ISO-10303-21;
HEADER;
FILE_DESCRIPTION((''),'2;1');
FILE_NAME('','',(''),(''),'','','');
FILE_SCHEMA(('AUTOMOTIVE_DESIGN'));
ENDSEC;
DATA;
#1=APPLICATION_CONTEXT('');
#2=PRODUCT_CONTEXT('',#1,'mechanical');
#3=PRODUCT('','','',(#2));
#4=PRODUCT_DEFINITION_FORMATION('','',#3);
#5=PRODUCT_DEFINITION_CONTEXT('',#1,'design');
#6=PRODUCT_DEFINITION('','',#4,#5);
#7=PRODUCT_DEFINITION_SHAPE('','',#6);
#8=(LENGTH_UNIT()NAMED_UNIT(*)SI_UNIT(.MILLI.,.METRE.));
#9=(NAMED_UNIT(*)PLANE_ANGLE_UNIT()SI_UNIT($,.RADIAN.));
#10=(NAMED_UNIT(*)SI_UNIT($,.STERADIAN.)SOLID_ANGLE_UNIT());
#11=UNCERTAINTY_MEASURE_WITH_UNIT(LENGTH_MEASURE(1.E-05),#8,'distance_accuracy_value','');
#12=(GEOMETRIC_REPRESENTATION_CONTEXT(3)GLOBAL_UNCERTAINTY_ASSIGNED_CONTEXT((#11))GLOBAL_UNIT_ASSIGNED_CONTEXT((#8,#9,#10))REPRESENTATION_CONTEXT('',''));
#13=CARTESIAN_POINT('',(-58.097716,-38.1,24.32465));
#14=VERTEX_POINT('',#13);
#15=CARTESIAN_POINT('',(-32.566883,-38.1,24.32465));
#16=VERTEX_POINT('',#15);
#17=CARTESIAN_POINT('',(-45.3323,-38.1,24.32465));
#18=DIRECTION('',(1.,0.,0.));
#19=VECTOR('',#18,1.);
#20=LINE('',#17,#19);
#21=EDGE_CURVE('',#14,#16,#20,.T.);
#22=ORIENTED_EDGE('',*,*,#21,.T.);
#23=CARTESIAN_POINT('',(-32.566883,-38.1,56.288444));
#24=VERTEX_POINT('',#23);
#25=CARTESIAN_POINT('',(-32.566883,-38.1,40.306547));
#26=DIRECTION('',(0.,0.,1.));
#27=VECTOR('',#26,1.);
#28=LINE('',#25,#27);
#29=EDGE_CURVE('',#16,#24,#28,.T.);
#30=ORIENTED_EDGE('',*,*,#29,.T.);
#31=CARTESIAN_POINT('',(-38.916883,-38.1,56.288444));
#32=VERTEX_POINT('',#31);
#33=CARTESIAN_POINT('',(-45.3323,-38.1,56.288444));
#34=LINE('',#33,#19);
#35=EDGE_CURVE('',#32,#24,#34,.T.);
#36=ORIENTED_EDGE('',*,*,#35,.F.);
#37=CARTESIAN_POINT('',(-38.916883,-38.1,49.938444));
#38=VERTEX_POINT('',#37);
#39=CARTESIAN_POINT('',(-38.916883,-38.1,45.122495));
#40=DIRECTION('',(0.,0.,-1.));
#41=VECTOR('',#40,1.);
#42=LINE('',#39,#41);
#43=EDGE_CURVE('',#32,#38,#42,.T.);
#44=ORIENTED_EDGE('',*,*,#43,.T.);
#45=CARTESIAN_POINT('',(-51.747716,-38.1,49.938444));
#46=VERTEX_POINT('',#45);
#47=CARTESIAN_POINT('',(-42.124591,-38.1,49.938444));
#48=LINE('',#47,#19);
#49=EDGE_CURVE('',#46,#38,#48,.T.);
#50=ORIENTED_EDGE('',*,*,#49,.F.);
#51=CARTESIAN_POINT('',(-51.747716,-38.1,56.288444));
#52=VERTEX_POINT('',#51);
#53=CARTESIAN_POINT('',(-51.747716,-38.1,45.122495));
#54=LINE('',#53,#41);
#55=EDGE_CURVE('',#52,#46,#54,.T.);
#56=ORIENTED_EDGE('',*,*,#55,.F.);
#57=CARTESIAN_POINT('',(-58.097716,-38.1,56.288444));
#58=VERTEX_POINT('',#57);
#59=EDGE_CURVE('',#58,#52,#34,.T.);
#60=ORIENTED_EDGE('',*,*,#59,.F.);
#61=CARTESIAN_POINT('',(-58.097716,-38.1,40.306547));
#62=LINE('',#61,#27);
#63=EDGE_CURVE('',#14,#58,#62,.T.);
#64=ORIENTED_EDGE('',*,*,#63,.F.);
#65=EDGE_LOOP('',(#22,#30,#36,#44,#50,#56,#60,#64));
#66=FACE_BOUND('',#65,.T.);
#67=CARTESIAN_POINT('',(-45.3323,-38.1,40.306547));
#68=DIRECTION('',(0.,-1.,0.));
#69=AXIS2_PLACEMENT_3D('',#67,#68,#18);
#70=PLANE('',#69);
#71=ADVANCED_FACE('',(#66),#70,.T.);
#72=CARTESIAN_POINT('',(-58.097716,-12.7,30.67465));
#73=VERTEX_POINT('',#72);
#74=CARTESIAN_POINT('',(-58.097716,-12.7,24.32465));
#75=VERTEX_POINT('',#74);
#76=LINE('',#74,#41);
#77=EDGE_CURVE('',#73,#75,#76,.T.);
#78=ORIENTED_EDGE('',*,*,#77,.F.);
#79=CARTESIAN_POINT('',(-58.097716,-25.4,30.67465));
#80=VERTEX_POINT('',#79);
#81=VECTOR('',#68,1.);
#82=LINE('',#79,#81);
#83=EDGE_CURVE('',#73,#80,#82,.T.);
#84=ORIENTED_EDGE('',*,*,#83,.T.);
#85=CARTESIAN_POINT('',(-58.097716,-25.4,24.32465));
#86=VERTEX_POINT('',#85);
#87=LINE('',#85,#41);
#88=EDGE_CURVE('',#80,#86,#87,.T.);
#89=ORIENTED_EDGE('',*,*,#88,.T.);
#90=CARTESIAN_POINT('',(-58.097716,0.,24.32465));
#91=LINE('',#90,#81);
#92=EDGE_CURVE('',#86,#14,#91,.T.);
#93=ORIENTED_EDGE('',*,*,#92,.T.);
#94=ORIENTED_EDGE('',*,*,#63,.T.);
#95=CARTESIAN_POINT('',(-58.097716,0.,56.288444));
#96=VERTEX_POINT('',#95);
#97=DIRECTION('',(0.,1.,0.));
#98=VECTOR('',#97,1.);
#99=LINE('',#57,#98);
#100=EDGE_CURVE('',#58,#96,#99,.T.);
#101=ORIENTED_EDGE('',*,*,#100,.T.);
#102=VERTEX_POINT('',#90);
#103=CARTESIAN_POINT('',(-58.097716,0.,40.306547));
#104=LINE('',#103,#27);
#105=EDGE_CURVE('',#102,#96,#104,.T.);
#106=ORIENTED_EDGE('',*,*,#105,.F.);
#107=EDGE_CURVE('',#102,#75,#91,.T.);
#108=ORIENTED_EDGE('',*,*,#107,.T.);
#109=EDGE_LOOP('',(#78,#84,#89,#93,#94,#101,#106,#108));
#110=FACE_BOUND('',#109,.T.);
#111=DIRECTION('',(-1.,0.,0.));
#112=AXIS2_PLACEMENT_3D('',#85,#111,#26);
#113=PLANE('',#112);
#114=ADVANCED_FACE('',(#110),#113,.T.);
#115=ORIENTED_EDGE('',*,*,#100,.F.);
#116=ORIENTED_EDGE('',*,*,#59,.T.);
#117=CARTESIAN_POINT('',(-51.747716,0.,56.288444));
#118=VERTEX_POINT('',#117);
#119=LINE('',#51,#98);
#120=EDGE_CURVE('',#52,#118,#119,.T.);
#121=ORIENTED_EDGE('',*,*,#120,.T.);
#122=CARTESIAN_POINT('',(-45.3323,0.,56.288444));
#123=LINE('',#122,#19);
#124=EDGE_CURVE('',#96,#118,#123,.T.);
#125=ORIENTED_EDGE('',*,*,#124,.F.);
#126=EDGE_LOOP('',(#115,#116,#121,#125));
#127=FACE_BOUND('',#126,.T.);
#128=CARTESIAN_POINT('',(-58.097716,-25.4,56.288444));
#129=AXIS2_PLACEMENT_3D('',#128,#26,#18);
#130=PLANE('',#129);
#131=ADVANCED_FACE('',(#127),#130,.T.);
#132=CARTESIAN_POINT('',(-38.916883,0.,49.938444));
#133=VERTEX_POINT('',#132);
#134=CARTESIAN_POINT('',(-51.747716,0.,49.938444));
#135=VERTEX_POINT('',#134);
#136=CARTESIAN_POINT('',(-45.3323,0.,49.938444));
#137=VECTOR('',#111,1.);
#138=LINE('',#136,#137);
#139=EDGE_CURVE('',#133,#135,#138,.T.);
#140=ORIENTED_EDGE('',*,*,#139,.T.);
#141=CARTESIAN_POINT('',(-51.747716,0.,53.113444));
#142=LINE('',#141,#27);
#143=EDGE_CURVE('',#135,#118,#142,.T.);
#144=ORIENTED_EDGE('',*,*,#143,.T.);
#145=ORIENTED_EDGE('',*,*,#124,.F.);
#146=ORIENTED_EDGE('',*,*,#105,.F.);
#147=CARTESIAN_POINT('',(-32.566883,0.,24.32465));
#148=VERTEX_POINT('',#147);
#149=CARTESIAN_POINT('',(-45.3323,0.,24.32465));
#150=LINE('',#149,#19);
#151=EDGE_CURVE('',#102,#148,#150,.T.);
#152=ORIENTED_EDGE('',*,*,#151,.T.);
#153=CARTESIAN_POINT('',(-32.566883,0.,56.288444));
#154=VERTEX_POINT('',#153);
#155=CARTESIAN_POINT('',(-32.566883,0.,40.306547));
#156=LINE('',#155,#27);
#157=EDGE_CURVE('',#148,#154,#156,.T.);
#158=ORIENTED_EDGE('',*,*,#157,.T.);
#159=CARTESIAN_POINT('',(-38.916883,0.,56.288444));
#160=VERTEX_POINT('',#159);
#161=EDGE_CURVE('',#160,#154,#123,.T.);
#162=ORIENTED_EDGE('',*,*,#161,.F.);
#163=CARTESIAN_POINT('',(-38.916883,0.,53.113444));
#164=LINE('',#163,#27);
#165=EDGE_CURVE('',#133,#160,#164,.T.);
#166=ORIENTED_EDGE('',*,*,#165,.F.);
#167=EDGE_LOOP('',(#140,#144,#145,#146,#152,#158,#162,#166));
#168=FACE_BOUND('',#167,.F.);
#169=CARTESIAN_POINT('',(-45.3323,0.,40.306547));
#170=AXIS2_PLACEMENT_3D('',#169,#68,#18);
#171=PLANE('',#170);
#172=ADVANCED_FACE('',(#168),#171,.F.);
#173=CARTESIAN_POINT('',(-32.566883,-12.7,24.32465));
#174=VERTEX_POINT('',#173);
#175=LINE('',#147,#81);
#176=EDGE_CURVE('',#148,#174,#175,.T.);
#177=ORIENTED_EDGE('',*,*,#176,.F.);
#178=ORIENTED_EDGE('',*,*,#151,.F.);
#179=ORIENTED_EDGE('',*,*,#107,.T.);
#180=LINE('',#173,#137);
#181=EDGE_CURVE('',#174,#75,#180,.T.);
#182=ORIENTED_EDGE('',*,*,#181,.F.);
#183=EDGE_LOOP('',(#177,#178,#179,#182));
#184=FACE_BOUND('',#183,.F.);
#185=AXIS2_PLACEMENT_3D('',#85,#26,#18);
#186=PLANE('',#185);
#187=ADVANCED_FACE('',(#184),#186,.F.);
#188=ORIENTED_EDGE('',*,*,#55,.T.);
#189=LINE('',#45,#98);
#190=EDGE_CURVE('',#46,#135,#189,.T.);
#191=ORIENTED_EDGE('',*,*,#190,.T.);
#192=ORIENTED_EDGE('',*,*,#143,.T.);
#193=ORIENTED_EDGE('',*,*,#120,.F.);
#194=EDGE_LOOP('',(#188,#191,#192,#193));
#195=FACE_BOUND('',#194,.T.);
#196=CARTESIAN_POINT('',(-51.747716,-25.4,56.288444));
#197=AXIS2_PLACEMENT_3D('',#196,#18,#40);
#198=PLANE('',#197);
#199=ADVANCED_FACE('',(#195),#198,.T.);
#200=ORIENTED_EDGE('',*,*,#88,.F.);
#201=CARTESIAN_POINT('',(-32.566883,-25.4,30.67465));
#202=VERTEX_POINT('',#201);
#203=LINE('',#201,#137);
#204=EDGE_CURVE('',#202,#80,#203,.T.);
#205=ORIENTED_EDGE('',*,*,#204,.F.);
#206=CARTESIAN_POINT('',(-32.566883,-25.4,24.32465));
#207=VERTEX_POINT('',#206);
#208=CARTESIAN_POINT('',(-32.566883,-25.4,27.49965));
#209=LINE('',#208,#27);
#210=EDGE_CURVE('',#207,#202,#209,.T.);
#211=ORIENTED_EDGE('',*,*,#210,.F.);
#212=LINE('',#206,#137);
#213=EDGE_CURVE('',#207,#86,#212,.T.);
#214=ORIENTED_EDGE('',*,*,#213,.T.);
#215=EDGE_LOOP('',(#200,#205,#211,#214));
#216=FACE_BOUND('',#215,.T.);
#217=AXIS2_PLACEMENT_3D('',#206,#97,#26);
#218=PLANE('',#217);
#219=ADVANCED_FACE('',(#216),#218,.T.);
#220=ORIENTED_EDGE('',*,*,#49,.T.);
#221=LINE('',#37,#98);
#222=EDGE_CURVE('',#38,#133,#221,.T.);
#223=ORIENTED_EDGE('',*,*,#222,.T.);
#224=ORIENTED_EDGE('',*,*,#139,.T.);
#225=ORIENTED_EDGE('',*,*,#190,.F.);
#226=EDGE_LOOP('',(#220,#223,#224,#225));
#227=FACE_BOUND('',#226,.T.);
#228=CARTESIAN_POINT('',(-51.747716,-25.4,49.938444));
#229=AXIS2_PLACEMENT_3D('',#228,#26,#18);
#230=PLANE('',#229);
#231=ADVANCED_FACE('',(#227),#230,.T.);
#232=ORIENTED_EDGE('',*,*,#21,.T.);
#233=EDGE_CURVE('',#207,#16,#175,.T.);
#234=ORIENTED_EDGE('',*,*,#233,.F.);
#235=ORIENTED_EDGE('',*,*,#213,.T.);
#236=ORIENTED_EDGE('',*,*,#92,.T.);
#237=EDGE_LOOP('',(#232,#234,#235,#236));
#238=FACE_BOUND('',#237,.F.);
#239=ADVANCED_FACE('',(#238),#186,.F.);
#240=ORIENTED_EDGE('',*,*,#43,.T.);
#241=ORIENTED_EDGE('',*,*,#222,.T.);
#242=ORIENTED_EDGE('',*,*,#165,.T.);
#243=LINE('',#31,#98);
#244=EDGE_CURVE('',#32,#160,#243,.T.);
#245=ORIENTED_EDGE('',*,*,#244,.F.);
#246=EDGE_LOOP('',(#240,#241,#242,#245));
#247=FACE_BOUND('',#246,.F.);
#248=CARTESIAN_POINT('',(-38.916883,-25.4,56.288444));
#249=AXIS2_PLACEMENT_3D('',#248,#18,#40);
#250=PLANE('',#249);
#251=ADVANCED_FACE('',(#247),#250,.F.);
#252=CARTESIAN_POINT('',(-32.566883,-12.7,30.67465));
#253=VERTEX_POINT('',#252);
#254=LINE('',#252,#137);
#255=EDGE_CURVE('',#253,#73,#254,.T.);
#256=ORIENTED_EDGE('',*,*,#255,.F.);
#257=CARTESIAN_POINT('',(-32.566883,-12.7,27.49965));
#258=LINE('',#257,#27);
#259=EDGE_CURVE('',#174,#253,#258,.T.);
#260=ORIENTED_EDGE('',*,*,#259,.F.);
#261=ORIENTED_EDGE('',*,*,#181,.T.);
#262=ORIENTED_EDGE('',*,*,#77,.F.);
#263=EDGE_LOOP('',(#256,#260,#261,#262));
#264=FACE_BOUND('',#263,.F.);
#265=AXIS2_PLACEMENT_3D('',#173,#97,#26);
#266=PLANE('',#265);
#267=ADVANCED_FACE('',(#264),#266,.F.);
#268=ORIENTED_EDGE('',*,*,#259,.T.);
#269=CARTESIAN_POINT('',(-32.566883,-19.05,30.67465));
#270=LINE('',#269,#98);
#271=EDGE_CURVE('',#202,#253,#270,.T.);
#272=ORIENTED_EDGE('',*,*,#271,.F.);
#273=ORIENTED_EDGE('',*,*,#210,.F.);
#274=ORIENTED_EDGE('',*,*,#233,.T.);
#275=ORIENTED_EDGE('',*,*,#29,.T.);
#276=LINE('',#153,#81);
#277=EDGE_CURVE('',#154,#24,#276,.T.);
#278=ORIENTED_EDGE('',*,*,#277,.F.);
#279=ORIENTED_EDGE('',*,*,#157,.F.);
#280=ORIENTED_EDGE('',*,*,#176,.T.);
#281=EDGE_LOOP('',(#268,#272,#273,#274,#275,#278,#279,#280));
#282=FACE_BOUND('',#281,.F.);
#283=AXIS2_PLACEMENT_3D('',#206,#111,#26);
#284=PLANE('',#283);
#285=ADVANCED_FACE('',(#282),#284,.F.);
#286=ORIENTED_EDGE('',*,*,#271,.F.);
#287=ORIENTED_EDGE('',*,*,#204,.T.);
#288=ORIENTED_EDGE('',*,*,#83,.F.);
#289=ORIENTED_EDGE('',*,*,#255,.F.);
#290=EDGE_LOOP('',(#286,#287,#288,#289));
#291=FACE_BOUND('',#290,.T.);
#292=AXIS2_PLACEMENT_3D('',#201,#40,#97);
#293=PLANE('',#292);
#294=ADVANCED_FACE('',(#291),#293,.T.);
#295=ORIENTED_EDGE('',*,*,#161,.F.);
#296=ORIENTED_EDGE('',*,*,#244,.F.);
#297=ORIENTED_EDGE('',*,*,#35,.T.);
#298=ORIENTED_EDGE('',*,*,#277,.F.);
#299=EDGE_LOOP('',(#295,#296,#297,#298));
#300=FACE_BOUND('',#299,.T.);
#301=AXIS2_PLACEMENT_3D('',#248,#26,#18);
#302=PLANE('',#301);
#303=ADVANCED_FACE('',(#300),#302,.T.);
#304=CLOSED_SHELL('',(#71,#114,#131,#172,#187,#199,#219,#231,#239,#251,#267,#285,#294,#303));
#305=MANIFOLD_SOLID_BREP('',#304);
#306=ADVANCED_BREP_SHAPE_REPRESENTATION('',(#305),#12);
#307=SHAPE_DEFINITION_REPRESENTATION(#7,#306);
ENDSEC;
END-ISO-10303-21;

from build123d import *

# Parameters (mm, degrees)
F0_W     = 25.530833751
F0_H     = 31.9637935609
F1_DEPTH = 25.4
F2_W     = 12.830833751
F2_H     = 6.35
F3_DEPTH = 25.401
F4_DEPTH = 12.7
F5_W     = 12.7
F5_H     = 6.35
F6_DEPTH = 25.531833751


with BuildPart() as f1:
    # F0 (on Front) → F1 (new body)
    with BuildSketch(Plane.XZ):
        with Locations((-45.3322995454, 40.3065467253)):
            Rectangle(F0_W, F0_H)
    extrude(amount=F1_DEPTH)

    # F2 (on face) → F3 (cut, through all)
    with BuildSketch(Plane(origin=(0, 0, 0), x_dir=(-1, 0, 0), z_dir=(0, 1, 0))):
        with Locations((45.3322995454, 53.1134435058)):
            Rectangle(F2_W, F2_H)
    extrude(amount=-F3_DEPTH, mode=Mode.SUBTRACT)

    # F4 (add): a face of the model
    f4_faces = [f1.faces().sort_by_distance(p)[0] for p in [
        (-45.3322995454, -25.4, 38.8860849),
    ]]
    extrude(f4_faces, amount=F4_DEPTH)

    # F5 (on face) → F6 (cut, through all)
    with BuildSketch(Plane.YZ.offset(-32.5668826699)):
        with Locations((-19.05, 27.4996499449)):
            Rectangle(F5_W, F5_H)
    extrude(amount=-F6_DEPTH, mode=Mode.SUBTRACT)


solid = f1.part
